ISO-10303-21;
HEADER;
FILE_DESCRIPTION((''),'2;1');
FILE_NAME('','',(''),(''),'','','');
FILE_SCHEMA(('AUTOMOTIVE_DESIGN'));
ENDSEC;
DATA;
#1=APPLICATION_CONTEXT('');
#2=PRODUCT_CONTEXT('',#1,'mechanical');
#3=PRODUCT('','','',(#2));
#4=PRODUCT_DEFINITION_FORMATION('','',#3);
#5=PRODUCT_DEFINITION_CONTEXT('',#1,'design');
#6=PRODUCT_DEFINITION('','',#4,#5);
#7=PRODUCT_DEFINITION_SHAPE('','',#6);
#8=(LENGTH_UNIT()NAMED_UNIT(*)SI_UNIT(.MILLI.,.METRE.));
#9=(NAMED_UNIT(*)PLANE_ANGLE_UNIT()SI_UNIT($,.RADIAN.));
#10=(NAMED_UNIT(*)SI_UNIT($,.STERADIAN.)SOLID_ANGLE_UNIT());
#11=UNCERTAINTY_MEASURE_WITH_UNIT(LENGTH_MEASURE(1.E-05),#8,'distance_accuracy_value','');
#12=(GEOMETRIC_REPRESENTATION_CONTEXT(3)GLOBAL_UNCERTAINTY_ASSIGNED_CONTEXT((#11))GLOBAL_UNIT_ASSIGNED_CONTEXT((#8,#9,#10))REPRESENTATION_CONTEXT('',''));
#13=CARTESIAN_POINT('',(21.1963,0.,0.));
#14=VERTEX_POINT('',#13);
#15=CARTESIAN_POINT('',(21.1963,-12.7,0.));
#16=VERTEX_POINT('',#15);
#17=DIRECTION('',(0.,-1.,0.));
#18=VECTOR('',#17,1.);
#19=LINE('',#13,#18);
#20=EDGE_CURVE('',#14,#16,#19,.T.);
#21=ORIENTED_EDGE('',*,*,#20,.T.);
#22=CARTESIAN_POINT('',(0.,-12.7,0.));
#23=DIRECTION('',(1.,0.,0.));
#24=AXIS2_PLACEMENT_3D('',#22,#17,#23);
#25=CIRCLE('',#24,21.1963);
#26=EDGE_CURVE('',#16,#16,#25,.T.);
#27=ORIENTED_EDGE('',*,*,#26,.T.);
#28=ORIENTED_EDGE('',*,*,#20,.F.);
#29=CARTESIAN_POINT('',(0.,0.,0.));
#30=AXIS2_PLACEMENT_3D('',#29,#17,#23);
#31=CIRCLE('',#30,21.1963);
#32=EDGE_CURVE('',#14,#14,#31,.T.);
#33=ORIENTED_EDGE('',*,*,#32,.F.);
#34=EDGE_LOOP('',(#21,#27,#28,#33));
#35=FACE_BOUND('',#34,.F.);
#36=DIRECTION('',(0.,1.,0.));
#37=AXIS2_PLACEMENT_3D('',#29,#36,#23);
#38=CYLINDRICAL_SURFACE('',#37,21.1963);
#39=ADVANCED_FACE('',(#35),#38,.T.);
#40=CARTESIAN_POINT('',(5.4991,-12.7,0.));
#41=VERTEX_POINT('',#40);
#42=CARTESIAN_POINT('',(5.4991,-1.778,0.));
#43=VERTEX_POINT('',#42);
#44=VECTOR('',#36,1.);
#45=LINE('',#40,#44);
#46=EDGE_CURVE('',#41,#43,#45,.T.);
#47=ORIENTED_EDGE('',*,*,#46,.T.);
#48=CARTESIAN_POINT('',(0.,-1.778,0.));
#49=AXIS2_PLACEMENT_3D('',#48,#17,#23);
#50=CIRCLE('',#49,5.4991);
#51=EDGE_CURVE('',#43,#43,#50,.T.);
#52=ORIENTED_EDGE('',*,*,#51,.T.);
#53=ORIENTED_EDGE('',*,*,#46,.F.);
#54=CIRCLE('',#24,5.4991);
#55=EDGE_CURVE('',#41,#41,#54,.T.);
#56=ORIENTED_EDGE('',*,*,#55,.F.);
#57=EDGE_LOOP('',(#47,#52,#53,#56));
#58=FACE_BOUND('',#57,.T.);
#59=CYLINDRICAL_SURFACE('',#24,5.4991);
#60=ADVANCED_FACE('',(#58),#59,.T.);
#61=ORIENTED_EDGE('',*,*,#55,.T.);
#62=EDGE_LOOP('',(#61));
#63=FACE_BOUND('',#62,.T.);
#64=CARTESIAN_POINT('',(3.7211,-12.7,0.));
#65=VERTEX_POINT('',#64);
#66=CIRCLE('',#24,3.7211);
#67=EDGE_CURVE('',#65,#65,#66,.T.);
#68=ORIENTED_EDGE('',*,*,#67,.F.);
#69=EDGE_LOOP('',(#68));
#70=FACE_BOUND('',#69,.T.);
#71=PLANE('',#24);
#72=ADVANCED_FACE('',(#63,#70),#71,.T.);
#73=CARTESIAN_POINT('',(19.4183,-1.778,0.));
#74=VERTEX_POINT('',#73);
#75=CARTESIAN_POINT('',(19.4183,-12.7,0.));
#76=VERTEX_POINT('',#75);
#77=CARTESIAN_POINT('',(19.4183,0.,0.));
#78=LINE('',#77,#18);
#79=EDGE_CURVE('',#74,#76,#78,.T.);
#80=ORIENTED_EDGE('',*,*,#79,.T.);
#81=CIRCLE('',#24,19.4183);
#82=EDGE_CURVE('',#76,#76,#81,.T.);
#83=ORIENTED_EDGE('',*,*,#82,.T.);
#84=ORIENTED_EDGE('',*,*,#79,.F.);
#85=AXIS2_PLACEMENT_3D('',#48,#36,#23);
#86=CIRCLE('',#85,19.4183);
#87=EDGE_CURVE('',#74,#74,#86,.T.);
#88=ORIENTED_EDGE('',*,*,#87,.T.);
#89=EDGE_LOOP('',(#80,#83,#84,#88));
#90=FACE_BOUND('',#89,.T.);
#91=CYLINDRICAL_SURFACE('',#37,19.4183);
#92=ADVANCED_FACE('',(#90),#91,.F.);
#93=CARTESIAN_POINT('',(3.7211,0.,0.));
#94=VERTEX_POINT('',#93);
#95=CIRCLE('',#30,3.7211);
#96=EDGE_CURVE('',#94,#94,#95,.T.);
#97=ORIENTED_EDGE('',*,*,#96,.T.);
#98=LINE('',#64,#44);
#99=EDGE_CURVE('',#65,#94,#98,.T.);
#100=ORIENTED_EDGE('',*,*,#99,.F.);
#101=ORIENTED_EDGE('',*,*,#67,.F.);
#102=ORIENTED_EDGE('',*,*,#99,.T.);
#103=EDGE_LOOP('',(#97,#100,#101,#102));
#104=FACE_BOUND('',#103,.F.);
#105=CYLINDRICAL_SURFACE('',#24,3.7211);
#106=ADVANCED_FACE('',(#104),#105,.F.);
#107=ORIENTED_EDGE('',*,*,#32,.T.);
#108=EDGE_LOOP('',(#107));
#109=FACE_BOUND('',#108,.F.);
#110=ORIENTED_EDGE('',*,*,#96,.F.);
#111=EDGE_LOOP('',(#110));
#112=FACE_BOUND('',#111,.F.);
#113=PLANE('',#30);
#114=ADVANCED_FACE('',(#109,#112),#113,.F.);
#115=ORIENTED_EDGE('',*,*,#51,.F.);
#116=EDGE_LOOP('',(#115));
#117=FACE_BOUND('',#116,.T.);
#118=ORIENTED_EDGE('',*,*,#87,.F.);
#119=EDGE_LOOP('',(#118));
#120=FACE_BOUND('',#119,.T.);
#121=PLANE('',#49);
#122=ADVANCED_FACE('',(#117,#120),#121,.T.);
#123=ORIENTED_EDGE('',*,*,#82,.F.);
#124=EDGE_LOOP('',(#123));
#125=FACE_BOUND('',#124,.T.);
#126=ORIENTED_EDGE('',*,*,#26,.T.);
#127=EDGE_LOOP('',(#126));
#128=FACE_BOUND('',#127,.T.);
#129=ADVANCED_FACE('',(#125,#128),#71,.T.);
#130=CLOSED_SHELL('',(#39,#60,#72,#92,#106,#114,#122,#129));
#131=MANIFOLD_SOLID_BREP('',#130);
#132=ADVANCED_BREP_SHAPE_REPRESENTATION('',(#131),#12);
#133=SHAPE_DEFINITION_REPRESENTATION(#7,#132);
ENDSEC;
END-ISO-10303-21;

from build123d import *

# Parameters (mm, degrees)
F0_R     = 21.1963
F1_DEPTH = 12.7
F2_R     = 3.7211
F3_DEPTH = 12.701
F4_T     = -1.778


with BuildPart() as f1:
    # F0 (on Front) → F1 (new body)
    with BuildSketch(Plane.XZ):
        Circle(F0_R)
    extrude(amount=F1_DEPTH)

    # F2 (on face) → F3 (cut, through all)
    with BuildSketch(Plane.XZ.offset(12.7)):
        Circle(F2_R)
    extrude(amount=-F3_DEPTH, mode=Mode.SUBTRACT)

    # F4
    f4_openings = [f1.faces().sort_by_distance(p)[0] for p in [
        (-20.596778, -12.7, 0),
    ]]
    offset(amount=F4_T, openings=f4_openings)


solid = f1.part
